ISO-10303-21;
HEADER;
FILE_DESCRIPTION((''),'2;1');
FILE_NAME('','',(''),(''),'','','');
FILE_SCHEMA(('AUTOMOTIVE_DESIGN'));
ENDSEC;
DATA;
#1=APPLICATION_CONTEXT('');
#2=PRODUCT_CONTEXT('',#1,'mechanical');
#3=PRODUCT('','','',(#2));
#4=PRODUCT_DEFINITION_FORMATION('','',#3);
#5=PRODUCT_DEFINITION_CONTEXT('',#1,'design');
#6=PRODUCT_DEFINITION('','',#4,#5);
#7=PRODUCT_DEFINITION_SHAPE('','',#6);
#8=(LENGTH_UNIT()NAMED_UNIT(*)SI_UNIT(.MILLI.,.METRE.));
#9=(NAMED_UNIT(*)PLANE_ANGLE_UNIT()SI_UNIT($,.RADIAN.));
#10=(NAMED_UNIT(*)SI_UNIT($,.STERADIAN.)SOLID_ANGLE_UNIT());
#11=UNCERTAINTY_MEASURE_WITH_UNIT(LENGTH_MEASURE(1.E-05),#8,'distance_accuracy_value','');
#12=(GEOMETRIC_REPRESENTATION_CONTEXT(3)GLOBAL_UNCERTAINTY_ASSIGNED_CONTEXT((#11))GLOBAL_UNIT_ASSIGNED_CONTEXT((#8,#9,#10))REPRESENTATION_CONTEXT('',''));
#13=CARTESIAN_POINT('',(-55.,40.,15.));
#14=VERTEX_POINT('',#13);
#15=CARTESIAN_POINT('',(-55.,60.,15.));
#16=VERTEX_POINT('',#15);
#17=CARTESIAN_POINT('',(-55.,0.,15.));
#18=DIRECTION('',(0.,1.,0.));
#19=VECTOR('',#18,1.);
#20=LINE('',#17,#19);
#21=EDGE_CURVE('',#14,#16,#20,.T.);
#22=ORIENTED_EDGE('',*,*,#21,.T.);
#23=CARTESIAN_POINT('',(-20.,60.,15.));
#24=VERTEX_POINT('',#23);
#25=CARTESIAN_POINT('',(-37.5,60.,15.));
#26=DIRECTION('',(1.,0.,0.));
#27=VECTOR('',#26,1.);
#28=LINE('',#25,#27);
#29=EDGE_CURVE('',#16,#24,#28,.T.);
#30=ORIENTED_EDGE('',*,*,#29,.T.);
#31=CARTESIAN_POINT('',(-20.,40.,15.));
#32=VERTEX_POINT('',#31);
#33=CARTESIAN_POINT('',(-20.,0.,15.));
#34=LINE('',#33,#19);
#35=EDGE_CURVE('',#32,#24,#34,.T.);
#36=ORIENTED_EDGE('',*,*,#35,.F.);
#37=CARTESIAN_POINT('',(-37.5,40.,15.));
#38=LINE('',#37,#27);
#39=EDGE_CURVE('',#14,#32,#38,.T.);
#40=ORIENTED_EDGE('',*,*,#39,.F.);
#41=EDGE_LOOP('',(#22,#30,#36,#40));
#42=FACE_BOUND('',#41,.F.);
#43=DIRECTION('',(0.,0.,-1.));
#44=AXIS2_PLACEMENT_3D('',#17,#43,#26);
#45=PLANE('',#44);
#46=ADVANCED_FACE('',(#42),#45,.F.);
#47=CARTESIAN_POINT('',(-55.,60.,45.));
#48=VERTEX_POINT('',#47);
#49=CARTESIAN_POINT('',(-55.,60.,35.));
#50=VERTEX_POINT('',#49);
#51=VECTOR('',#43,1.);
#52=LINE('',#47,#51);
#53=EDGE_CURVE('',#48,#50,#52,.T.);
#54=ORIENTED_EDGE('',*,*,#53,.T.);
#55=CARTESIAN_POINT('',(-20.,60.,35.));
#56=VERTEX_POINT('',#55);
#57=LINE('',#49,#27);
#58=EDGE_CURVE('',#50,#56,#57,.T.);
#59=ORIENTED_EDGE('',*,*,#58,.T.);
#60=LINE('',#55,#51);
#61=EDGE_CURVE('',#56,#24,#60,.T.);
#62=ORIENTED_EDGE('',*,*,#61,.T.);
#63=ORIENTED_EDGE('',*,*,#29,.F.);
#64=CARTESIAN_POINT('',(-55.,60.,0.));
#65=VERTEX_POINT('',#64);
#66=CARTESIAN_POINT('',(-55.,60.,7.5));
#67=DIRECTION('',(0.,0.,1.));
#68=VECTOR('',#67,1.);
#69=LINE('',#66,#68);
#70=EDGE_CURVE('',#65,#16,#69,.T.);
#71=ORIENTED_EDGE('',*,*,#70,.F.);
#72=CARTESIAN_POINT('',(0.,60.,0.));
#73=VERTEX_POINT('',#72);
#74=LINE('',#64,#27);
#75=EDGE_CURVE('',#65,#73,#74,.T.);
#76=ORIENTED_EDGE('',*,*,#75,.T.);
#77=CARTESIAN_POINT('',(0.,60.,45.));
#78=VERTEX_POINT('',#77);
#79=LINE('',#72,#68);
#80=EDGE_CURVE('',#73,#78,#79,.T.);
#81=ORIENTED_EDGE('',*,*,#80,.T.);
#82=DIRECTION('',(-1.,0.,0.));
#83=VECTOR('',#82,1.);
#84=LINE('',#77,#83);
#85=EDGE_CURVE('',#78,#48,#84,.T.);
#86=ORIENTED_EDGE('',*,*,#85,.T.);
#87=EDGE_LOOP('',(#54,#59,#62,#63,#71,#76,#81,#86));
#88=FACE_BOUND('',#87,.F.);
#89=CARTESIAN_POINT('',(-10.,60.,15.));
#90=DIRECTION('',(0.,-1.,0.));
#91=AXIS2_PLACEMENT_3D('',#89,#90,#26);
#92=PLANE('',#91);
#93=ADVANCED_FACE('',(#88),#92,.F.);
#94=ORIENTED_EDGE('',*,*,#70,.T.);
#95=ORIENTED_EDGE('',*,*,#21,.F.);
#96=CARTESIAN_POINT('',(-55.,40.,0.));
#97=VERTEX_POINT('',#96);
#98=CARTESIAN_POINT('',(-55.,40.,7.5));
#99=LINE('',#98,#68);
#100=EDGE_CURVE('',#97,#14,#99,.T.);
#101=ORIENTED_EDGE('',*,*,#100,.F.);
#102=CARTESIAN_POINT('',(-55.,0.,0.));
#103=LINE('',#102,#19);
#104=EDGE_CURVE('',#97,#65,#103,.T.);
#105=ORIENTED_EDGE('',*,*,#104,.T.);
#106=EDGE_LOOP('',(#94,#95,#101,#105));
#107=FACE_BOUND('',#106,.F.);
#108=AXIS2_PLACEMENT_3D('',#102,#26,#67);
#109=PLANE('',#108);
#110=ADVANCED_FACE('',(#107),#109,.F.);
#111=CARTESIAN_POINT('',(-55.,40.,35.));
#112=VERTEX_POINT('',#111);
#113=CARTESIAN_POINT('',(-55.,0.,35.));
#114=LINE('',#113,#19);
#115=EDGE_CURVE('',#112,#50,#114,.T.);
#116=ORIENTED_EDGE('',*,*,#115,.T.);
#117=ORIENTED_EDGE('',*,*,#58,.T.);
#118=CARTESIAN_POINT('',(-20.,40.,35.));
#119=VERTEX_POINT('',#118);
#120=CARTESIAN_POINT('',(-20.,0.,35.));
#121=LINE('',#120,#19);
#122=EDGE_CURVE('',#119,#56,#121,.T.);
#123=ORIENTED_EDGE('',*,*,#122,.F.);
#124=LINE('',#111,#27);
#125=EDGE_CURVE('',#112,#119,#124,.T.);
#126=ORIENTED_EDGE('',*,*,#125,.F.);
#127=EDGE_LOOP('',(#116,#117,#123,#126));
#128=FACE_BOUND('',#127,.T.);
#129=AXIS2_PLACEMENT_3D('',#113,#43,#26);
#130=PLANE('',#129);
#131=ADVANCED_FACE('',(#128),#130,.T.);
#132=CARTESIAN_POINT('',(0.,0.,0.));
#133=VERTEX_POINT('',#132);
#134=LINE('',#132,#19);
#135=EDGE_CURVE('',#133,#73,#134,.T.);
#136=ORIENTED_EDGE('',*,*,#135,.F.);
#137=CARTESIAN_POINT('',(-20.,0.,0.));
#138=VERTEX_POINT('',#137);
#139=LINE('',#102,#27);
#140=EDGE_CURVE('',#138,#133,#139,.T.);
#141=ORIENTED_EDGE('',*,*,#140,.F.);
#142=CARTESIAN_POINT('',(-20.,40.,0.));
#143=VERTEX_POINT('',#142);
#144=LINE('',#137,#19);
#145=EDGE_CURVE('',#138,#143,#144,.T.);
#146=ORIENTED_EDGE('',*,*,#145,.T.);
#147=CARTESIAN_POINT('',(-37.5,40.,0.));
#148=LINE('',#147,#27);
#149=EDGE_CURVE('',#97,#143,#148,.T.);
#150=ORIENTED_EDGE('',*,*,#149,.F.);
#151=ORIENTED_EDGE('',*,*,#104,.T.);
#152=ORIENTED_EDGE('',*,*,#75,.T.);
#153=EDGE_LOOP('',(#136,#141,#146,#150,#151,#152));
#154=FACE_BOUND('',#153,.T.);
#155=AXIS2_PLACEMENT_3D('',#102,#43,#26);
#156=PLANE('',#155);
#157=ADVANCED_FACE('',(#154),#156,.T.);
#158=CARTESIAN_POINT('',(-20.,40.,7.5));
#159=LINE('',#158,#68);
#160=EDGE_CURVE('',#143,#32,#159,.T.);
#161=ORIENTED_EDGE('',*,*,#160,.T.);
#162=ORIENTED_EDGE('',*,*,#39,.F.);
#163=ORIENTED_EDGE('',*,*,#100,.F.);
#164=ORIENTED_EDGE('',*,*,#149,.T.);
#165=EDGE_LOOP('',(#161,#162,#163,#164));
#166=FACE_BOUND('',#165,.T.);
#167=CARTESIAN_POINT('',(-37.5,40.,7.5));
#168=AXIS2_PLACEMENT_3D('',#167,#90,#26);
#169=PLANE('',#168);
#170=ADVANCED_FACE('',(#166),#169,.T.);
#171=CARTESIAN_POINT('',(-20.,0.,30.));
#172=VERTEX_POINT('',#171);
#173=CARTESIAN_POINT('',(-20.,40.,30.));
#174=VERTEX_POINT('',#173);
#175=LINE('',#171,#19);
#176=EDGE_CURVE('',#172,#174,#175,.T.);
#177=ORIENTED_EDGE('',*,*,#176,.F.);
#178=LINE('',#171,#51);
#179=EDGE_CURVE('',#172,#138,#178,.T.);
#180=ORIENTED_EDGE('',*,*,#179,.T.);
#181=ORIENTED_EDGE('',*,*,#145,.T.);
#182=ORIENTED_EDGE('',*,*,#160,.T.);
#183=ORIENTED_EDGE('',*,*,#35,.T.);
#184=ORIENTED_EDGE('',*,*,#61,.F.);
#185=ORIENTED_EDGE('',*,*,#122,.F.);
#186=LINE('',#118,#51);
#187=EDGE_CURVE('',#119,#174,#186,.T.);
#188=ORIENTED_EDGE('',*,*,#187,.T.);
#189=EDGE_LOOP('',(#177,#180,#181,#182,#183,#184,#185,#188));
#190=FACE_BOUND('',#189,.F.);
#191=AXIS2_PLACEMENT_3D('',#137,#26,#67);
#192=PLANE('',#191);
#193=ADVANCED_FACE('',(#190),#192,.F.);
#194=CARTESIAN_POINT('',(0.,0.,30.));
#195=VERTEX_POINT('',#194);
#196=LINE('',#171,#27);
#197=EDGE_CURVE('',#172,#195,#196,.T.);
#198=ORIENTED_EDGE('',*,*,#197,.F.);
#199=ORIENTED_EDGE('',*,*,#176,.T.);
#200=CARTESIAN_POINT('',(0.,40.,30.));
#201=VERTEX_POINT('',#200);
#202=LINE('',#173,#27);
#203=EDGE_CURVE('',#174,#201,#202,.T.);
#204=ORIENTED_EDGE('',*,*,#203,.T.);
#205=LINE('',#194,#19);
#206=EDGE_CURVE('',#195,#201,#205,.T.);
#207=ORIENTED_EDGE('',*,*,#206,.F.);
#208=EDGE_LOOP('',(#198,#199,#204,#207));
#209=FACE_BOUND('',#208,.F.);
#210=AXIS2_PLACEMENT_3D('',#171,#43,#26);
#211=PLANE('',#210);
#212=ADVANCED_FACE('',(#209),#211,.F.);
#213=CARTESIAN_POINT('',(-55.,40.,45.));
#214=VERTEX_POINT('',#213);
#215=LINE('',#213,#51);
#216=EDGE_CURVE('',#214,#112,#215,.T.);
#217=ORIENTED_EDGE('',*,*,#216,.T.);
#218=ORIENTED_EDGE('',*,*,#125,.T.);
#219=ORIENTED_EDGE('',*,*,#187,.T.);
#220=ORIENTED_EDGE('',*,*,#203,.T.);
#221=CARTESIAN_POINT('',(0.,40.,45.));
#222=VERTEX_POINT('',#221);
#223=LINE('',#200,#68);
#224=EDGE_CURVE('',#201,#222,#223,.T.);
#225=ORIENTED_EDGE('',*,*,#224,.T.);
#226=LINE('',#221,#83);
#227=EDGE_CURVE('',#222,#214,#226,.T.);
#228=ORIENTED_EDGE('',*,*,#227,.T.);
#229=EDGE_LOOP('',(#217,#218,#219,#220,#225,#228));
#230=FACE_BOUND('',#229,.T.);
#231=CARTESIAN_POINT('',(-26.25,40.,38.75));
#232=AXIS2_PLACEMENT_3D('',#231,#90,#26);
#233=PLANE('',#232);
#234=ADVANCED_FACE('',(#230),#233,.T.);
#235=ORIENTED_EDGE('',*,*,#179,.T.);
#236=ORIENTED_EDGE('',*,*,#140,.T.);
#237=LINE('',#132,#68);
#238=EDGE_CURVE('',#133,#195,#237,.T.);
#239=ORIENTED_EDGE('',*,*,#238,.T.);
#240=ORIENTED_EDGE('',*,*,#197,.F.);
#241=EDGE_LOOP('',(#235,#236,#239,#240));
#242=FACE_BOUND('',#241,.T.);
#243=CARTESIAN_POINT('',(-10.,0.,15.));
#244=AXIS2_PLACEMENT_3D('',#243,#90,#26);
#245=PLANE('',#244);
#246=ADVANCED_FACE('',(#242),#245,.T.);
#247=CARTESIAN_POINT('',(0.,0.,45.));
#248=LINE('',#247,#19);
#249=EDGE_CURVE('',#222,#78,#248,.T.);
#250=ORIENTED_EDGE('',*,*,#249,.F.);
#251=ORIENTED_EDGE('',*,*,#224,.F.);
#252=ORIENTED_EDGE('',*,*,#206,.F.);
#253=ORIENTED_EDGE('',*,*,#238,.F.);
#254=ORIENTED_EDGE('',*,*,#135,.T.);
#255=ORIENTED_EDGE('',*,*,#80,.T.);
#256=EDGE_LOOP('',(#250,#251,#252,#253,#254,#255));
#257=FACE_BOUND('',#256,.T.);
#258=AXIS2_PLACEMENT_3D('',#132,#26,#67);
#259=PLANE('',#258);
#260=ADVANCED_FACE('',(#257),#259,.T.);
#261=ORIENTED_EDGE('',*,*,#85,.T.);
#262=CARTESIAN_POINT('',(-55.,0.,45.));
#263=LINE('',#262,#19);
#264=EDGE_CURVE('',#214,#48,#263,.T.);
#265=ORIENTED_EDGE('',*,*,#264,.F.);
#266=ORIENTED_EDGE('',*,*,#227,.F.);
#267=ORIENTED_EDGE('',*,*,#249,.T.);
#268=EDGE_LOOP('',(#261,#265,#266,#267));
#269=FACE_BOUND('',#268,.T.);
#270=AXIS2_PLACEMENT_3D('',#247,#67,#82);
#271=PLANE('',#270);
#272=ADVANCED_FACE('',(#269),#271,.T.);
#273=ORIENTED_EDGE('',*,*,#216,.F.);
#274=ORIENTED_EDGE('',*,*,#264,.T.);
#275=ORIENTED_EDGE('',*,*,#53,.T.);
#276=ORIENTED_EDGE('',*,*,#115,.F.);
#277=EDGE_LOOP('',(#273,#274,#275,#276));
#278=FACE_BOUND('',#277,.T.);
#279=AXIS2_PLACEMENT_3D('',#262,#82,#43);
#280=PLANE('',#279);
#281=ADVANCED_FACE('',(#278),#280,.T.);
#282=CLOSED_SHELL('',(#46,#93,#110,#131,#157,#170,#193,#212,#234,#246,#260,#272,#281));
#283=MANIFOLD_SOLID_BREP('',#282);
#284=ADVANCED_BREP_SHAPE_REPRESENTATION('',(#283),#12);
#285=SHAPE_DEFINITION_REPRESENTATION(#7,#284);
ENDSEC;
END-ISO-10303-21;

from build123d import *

# Parameters (mm, degrees)
F0_W     = 35
F0_H     = 15
F1_DEPTH = 60
F2_DEPTH = 40
F3_DEPTH = 40


with BuildPart() as f1:
    # F0 (on Front) → F1 (new body)
    with BuildSketch(Plane.XZ):
        Polygon((-20, 0), (0, 0), (0, 30), (-20, 30), (-20, 15), align=None)
        Polygon((-20, 30), (0, 30), (0, 45), (-55, 45), (-55, 35), (-20, 35), align=None)
        with Locations((-37.5, 7.5)):
            Rectangle(F0_W, F0_H)
    extrude(amount=-F1_DEPTH)

    # F0 (on Front) → F2 (cut)
    with BuildSketch(Plane.XZ):
        Polygon((-20, 30), (0, 30), (0, 45), (-55, 45), (-55, 35), (-20, 35), align=None)
    extrude(amount=-F2_DEPTH, mode=Mode.SUBTRACT)

    # F0 (on Front) → F3 (cut)
    with BuildSketch(Plane.XZ):
        with Locations((-37.5, 7.5)):
            Rectangle(F0_W, F0_H)
    extrude(amount=-F3_DEPTH, mode=Mode.SUBTRACT)


solid = f1.part
